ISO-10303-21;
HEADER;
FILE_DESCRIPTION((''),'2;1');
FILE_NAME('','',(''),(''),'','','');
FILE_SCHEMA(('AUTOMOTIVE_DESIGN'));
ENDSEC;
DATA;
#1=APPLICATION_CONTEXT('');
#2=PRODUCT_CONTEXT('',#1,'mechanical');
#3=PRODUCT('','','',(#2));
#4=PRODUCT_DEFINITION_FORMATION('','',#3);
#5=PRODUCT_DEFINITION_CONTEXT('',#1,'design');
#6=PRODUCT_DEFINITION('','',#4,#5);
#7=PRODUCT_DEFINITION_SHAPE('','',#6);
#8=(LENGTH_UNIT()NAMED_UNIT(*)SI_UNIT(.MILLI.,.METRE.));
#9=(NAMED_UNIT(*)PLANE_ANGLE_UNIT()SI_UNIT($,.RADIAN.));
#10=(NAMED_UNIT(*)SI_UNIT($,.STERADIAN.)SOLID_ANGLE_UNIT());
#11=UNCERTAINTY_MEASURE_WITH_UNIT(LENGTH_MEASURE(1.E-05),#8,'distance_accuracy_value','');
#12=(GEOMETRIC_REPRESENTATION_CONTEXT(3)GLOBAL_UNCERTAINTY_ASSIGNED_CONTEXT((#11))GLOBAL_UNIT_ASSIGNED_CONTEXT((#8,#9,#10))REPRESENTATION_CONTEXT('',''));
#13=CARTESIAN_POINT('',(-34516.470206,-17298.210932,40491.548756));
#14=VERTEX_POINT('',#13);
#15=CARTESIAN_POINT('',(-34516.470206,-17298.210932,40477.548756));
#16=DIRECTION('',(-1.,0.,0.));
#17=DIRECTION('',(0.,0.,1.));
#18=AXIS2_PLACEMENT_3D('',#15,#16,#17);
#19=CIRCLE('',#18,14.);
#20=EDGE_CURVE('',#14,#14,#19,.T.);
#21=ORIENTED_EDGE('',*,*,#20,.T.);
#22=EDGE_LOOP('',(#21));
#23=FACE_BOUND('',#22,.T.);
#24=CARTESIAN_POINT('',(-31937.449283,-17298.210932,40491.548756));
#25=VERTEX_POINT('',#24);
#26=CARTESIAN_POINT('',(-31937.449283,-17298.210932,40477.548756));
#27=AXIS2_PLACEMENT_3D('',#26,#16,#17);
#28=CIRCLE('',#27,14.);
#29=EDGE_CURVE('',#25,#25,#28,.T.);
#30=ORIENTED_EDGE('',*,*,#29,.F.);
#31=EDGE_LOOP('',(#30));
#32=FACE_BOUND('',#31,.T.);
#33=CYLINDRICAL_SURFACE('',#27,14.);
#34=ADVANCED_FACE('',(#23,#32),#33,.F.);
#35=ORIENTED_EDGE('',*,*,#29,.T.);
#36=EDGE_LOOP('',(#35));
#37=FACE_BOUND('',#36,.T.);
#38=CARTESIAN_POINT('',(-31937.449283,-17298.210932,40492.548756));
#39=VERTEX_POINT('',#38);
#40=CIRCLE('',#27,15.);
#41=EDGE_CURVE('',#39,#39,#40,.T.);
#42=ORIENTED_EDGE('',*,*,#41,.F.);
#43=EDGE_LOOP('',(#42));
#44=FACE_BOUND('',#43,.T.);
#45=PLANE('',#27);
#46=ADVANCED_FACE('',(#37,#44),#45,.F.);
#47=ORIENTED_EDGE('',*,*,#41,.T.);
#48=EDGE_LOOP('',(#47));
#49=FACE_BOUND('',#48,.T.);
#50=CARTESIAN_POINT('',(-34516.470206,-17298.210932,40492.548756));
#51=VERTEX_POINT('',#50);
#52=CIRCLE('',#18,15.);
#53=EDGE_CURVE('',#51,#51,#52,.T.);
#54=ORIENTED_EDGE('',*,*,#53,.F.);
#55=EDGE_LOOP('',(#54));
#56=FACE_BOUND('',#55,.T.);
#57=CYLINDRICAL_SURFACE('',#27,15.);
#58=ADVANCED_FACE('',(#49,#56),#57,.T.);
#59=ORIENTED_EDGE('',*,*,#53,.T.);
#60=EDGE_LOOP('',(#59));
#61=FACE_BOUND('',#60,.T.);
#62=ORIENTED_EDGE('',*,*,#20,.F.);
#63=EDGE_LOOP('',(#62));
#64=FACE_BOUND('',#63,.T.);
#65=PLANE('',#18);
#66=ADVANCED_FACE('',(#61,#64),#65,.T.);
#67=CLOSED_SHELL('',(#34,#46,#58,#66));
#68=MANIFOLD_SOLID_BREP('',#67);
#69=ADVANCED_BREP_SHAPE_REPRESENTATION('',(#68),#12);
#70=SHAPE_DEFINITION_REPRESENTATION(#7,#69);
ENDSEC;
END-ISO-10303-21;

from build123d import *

# Parameters (mm, degrees)
SWEEP_THIN1_PROFILE_R   = 15
SWEEP_THIN1_PROFILE_R_2 = 14


with BuildPart() as part:
    # Sweep-Thin1: sweep along a curve in space
    with BuildLine() as sweep_thin1_path:
        Line((-31937.449283249, -17298.210932222, 40477.548756097), (-34516.470205747, -17298.210932222, 40477.548756097))
    # Sweep-Thin1 profile (on start of the path) → Sweep-Thin1 (sweep)
    with BuildSketch(Plane(origin=(-31937.449283249, -17298.210932222, 40477.548756097), x_dir=(0, 0, -1), z_dir=(-1, 0, 0))):
        Circle(SWEEP_THIN1_PROFILE_R)
        Circle(SWEEP_THIN1_PROFILE_R_2, mode=Mode.SUBTRACT)
    sweep(path=sweep_thin1_path.line)


solid = part.part
